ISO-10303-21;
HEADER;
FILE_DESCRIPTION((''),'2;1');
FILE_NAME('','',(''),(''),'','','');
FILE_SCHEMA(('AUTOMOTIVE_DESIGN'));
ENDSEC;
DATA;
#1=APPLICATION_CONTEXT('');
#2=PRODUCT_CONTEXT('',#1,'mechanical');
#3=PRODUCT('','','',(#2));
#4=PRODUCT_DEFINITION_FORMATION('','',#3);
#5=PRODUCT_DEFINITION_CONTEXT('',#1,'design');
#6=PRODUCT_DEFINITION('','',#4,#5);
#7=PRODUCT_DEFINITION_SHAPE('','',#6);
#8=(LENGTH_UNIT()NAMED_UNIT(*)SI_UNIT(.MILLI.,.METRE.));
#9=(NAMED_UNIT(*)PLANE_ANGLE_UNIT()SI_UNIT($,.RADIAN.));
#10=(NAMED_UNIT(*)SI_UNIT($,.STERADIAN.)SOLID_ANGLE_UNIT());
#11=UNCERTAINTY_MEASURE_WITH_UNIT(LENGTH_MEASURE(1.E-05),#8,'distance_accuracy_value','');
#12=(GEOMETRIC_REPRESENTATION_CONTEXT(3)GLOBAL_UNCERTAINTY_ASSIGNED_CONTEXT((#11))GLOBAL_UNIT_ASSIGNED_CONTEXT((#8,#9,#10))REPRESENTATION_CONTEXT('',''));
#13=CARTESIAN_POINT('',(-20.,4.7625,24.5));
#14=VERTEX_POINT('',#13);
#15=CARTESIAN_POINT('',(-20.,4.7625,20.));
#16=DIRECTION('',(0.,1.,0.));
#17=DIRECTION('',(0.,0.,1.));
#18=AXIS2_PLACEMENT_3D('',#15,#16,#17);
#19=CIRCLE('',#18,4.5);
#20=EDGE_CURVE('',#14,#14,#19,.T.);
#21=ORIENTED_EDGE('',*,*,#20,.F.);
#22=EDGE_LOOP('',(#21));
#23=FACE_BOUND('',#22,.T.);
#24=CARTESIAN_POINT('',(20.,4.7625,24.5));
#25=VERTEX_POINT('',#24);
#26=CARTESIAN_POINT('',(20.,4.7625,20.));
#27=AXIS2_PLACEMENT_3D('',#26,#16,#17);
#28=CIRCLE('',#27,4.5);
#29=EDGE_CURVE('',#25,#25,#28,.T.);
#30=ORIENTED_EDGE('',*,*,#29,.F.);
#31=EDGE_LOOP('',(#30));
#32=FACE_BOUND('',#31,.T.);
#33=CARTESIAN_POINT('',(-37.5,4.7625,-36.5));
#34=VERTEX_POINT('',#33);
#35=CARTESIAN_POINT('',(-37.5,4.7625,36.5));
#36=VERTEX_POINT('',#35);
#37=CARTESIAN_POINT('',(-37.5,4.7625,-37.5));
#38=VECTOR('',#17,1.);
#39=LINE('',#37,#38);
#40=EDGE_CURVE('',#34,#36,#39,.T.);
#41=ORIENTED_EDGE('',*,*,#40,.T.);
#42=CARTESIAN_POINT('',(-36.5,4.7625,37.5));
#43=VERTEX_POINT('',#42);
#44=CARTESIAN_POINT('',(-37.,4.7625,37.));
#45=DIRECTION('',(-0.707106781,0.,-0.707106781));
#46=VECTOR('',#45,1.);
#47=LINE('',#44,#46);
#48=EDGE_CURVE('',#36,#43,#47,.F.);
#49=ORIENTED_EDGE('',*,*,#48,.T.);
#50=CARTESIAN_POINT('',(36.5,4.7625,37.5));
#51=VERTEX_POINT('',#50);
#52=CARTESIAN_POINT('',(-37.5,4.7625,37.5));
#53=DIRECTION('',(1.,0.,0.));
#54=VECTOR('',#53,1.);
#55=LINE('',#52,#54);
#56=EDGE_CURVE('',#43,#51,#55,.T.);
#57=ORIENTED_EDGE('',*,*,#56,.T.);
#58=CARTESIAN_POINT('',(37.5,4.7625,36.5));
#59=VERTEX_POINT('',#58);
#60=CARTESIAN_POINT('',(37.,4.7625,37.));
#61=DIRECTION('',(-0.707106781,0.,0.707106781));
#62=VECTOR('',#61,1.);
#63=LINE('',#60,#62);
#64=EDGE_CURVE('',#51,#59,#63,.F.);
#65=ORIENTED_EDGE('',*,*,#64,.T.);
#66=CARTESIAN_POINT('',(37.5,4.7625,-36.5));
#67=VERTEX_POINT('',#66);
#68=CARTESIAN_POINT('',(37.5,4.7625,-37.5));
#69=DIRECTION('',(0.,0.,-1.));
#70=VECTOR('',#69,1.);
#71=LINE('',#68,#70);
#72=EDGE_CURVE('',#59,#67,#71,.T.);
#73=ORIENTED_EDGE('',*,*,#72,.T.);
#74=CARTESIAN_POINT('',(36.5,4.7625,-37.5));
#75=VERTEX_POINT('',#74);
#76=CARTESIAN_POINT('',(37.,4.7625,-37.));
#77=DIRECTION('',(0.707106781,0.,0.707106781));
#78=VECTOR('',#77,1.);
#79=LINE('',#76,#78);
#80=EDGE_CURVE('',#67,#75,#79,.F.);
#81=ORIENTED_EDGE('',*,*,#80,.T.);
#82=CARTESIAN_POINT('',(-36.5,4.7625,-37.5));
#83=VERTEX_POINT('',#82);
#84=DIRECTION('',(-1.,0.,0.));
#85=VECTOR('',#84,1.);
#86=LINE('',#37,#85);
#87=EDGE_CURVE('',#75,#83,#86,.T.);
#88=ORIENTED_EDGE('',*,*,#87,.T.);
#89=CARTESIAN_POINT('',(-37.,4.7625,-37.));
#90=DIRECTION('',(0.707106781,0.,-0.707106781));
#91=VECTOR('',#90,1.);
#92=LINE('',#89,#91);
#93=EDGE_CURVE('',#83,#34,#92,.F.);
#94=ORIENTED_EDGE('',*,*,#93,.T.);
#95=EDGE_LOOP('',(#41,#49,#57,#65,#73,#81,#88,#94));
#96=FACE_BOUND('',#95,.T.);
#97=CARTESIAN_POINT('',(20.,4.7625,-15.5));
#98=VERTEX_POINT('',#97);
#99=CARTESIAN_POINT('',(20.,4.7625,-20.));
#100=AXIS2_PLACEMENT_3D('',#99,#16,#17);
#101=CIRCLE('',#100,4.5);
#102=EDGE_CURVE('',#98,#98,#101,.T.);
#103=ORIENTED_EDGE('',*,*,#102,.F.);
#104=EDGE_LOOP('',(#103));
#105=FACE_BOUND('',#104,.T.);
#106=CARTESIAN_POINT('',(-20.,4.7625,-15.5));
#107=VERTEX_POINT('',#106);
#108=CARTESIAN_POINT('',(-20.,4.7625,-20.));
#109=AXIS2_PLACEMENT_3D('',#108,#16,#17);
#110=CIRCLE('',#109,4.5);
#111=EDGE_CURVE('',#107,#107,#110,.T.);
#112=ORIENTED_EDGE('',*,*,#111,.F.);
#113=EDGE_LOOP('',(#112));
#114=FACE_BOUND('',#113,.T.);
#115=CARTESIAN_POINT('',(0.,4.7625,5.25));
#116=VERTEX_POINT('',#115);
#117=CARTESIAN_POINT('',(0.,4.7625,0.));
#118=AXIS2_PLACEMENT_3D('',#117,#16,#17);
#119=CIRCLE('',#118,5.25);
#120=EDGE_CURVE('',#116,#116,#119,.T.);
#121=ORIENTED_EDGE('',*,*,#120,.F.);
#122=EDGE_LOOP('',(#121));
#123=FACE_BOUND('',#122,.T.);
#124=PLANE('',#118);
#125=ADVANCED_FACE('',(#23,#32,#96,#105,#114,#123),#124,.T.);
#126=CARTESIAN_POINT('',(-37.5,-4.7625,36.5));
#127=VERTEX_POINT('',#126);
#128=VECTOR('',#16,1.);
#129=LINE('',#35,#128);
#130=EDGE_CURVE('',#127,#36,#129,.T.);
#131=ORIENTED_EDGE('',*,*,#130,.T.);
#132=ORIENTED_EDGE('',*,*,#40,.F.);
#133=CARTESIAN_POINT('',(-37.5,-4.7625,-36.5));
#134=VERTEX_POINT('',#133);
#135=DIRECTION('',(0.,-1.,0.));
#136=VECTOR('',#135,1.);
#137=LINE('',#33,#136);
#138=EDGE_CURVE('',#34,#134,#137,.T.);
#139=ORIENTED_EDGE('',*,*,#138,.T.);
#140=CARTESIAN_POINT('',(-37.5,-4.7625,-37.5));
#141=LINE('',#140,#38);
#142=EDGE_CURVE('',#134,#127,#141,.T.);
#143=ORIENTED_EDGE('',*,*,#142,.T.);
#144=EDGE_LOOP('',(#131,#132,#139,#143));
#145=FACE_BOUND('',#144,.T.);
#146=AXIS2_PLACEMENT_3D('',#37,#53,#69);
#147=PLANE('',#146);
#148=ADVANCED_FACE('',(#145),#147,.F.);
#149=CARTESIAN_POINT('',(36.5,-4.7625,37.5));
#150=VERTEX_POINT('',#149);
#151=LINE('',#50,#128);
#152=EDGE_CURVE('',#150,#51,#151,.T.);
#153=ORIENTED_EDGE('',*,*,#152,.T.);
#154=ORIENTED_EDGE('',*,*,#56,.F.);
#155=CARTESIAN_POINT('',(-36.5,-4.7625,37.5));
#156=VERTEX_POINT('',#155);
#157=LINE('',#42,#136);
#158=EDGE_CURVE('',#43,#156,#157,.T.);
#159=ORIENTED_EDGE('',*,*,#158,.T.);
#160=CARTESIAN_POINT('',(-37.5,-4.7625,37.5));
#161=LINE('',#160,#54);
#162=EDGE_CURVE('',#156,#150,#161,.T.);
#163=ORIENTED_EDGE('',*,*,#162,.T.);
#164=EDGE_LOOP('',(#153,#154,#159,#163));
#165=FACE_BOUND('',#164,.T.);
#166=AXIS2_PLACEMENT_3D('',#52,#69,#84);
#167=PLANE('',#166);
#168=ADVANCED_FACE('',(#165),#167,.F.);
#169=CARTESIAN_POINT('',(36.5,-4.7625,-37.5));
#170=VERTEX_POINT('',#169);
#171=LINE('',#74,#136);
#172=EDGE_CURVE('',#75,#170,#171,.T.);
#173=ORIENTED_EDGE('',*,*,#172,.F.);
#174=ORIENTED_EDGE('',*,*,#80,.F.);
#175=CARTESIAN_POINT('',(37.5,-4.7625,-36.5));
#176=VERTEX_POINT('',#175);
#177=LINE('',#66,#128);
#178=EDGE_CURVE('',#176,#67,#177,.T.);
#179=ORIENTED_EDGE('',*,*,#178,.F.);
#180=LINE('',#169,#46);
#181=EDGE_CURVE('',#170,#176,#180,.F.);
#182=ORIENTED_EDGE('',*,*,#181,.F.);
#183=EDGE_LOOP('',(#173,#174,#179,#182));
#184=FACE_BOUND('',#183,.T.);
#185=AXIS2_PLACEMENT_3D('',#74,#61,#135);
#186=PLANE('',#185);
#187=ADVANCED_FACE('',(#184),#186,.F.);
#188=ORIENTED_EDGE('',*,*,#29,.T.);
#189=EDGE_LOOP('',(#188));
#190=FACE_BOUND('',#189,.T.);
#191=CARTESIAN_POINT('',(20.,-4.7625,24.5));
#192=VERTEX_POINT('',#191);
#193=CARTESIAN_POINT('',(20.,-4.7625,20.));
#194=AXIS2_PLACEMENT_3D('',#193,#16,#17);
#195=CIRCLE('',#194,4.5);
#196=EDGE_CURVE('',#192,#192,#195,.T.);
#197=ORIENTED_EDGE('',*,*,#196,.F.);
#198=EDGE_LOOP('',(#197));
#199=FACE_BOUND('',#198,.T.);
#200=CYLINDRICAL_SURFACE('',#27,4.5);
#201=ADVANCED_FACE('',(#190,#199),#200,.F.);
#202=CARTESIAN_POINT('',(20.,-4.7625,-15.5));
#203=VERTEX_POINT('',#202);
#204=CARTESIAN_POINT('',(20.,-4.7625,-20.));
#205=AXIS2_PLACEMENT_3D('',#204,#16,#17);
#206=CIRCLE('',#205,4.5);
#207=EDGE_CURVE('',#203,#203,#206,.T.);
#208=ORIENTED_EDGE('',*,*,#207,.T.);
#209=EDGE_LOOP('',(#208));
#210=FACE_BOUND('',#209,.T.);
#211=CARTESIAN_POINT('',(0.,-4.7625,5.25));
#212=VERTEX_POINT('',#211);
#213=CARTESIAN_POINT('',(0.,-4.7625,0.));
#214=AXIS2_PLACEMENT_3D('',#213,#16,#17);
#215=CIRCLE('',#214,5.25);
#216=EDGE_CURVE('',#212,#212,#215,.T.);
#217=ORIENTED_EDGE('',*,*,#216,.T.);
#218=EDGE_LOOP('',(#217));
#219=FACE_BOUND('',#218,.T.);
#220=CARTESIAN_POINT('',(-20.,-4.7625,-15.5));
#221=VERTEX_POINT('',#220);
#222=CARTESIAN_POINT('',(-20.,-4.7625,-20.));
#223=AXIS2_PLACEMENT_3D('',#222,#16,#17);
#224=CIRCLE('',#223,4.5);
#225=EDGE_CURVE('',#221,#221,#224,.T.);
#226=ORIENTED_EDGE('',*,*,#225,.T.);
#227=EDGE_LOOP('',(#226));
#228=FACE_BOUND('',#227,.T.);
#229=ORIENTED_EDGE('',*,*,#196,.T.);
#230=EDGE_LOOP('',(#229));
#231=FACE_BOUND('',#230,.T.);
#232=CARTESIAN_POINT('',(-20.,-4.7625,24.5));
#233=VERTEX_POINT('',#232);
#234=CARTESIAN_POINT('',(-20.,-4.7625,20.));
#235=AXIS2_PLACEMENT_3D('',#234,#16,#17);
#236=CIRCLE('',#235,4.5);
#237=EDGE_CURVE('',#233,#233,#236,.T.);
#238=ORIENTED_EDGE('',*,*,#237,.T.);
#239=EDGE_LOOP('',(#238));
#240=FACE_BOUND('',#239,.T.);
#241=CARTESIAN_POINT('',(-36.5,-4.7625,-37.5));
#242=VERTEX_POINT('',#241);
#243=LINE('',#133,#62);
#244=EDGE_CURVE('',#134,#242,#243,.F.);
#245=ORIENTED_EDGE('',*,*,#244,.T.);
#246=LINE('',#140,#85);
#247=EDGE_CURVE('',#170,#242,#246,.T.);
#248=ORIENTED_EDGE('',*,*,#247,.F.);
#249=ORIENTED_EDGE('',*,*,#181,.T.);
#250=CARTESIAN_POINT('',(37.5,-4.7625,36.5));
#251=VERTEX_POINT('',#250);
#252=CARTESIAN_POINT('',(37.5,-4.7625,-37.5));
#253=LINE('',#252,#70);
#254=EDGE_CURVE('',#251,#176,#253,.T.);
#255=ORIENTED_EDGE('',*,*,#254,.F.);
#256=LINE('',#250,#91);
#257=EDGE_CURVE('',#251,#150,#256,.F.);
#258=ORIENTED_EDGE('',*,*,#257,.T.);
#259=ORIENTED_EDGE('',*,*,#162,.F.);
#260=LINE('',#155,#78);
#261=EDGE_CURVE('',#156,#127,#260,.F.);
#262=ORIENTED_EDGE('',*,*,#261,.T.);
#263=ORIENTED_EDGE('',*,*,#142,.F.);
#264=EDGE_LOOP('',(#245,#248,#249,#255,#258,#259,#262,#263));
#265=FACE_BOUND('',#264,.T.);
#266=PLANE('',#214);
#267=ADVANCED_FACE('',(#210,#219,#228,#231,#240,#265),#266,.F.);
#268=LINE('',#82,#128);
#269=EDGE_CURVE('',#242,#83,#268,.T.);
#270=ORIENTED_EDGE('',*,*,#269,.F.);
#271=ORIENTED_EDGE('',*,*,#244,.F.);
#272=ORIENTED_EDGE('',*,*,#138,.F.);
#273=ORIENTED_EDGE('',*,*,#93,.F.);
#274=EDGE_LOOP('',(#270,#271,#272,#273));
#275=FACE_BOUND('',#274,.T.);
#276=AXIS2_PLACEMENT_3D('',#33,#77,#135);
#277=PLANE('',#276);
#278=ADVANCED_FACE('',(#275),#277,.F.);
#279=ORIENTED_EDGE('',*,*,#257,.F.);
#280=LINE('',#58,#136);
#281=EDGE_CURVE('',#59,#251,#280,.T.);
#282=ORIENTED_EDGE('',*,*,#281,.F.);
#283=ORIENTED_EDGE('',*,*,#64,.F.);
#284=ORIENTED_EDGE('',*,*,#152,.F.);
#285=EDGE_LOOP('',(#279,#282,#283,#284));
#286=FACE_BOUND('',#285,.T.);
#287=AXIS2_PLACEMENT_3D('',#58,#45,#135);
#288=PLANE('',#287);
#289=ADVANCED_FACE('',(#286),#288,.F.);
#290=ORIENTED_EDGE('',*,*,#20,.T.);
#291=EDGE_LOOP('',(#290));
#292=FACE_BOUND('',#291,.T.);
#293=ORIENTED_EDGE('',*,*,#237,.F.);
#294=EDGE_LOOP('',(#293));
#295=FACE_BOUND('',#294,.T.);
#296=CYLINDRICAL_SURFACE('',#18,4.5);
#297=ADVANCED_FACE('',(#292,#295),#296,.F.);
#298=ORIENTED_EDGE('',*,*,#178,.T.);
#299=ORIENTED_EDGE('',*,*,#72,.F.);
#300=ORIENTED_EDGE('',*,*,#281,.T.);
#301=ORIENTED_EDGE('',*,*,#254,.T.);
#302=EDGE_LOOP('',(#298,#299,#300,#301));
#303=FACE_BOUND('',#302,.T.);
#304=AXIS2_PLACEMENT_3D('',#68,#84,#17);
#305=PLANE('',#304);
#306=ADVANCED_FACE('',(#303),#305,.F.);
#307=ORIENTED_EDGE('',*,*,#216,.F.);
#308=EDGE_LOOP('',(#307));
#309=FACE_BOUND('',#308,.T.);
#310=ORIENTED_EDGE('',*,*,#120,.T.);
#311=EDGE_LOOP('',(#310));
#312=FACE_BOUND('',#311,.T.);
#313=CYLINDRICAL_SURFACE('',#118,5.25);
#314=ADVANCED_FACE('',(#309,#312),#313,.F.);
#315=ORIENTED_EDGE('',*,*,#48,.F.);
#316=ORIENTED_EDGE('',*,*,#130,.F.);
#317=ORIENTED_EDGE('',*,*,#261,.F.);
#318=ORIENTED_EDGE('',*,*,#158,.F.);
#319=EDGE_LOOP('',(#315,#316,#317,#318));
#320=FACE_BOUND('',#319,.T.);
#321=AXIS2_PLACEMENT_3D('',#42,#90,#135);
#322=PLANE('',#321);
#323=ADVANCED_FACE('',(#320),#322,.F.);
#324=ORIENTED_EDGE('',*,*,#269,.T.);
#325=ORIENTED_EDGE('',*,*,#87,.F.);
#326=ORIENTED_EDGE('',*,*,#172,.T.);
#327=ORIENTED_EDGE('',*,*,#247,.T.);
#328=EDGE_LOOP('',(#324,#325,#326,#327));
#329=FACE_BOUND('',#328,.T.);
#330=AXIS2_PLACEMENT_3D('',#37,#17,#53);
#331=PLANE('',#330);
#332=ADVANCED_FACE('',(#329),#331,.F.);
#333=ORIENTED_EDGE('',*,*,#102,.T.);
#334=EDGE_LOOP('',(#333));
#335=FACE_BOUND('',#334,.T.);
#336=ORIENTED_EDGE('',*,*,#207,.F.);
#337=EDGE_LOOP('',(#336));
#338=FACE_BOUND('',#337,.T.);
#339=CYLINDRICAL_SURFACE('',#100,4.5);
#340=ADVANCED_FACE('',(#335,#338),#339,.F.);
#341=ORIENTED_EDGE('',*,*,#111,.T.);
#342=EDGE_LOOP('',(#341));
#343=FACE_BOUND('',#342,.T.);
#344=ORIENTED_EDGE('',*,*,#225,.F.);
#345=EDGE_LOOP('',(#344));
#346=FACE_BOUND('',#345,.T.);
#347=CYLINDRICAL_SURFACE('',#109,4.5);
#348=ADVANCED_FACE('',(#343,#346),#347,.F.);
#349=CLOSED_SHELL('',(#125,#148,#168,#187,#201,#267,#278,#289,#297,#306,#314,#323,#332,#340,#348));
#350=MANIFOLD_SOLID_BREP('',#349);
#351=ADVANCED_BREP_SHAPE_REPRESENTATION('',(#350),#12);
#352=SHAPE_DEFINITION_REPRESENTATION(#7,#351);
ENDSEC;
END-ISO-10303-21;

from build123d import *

# Parameters (mm, degrees)
SKETCH1_W              = 75
SKETCH1_H              = 75
BOSS_EXTRUDE1_DEPTH    = 4.7625
M8_CLEARANCE_HOLE1_D   = 9
M12X1_5_TAPPED_HOLE1_D = 10.5
CHAMFER1_SIZE          = 1


with BuildPart() as part:
    # Sketch1 → Boss-Extrude1 (new, symmetric)
    with BuildSketch(Plane(origin=(0, 0, 0), x_dir=(1, 0, 0), z_dir=(0, 1, 0))):
        Rectangle(SKETCH1_W, SKETCH1_H)
    extrude(amount=BOSS_EXTRUDE1_DEPTH, both=True)

    # M8 Clearance Hole1 (through all)
    with Locations(Plane(origin=(0, 4.7625, 0), x_dir=(1, 0, 0), z_dir=(0, 1, 0))):
        with Locations((-20, 20), (20, 20), (-20, -20), (20, -20)):
            Hole(M8_CLEARANCE_HOLE1_D / 2)

    # M12x1.5 Tapped Hole1 (through all)
    with Locations(Plane(origin=(0, 4.7625, 0), x_dir=(1, 0, 0), z_dir=(0, 1, 0))):
        with Locations((0, 0)):
            Hole(M12X1_5_TAPPED_HOLE1_D / 2)

    # Chamfer1
    chamfer1_edges = [part.edges().sort_by_distance(p)[0] for p in [
        (37.5, 0, 37.5),
        (-37.5, 0, 37.5),
        (-37.5, 0, -37.5),
        (37.5, 0, -37.5),
    ]]
    chamfer(chamfer1_edges, length=CHAMFER1_SIZE)


solid = part.part
